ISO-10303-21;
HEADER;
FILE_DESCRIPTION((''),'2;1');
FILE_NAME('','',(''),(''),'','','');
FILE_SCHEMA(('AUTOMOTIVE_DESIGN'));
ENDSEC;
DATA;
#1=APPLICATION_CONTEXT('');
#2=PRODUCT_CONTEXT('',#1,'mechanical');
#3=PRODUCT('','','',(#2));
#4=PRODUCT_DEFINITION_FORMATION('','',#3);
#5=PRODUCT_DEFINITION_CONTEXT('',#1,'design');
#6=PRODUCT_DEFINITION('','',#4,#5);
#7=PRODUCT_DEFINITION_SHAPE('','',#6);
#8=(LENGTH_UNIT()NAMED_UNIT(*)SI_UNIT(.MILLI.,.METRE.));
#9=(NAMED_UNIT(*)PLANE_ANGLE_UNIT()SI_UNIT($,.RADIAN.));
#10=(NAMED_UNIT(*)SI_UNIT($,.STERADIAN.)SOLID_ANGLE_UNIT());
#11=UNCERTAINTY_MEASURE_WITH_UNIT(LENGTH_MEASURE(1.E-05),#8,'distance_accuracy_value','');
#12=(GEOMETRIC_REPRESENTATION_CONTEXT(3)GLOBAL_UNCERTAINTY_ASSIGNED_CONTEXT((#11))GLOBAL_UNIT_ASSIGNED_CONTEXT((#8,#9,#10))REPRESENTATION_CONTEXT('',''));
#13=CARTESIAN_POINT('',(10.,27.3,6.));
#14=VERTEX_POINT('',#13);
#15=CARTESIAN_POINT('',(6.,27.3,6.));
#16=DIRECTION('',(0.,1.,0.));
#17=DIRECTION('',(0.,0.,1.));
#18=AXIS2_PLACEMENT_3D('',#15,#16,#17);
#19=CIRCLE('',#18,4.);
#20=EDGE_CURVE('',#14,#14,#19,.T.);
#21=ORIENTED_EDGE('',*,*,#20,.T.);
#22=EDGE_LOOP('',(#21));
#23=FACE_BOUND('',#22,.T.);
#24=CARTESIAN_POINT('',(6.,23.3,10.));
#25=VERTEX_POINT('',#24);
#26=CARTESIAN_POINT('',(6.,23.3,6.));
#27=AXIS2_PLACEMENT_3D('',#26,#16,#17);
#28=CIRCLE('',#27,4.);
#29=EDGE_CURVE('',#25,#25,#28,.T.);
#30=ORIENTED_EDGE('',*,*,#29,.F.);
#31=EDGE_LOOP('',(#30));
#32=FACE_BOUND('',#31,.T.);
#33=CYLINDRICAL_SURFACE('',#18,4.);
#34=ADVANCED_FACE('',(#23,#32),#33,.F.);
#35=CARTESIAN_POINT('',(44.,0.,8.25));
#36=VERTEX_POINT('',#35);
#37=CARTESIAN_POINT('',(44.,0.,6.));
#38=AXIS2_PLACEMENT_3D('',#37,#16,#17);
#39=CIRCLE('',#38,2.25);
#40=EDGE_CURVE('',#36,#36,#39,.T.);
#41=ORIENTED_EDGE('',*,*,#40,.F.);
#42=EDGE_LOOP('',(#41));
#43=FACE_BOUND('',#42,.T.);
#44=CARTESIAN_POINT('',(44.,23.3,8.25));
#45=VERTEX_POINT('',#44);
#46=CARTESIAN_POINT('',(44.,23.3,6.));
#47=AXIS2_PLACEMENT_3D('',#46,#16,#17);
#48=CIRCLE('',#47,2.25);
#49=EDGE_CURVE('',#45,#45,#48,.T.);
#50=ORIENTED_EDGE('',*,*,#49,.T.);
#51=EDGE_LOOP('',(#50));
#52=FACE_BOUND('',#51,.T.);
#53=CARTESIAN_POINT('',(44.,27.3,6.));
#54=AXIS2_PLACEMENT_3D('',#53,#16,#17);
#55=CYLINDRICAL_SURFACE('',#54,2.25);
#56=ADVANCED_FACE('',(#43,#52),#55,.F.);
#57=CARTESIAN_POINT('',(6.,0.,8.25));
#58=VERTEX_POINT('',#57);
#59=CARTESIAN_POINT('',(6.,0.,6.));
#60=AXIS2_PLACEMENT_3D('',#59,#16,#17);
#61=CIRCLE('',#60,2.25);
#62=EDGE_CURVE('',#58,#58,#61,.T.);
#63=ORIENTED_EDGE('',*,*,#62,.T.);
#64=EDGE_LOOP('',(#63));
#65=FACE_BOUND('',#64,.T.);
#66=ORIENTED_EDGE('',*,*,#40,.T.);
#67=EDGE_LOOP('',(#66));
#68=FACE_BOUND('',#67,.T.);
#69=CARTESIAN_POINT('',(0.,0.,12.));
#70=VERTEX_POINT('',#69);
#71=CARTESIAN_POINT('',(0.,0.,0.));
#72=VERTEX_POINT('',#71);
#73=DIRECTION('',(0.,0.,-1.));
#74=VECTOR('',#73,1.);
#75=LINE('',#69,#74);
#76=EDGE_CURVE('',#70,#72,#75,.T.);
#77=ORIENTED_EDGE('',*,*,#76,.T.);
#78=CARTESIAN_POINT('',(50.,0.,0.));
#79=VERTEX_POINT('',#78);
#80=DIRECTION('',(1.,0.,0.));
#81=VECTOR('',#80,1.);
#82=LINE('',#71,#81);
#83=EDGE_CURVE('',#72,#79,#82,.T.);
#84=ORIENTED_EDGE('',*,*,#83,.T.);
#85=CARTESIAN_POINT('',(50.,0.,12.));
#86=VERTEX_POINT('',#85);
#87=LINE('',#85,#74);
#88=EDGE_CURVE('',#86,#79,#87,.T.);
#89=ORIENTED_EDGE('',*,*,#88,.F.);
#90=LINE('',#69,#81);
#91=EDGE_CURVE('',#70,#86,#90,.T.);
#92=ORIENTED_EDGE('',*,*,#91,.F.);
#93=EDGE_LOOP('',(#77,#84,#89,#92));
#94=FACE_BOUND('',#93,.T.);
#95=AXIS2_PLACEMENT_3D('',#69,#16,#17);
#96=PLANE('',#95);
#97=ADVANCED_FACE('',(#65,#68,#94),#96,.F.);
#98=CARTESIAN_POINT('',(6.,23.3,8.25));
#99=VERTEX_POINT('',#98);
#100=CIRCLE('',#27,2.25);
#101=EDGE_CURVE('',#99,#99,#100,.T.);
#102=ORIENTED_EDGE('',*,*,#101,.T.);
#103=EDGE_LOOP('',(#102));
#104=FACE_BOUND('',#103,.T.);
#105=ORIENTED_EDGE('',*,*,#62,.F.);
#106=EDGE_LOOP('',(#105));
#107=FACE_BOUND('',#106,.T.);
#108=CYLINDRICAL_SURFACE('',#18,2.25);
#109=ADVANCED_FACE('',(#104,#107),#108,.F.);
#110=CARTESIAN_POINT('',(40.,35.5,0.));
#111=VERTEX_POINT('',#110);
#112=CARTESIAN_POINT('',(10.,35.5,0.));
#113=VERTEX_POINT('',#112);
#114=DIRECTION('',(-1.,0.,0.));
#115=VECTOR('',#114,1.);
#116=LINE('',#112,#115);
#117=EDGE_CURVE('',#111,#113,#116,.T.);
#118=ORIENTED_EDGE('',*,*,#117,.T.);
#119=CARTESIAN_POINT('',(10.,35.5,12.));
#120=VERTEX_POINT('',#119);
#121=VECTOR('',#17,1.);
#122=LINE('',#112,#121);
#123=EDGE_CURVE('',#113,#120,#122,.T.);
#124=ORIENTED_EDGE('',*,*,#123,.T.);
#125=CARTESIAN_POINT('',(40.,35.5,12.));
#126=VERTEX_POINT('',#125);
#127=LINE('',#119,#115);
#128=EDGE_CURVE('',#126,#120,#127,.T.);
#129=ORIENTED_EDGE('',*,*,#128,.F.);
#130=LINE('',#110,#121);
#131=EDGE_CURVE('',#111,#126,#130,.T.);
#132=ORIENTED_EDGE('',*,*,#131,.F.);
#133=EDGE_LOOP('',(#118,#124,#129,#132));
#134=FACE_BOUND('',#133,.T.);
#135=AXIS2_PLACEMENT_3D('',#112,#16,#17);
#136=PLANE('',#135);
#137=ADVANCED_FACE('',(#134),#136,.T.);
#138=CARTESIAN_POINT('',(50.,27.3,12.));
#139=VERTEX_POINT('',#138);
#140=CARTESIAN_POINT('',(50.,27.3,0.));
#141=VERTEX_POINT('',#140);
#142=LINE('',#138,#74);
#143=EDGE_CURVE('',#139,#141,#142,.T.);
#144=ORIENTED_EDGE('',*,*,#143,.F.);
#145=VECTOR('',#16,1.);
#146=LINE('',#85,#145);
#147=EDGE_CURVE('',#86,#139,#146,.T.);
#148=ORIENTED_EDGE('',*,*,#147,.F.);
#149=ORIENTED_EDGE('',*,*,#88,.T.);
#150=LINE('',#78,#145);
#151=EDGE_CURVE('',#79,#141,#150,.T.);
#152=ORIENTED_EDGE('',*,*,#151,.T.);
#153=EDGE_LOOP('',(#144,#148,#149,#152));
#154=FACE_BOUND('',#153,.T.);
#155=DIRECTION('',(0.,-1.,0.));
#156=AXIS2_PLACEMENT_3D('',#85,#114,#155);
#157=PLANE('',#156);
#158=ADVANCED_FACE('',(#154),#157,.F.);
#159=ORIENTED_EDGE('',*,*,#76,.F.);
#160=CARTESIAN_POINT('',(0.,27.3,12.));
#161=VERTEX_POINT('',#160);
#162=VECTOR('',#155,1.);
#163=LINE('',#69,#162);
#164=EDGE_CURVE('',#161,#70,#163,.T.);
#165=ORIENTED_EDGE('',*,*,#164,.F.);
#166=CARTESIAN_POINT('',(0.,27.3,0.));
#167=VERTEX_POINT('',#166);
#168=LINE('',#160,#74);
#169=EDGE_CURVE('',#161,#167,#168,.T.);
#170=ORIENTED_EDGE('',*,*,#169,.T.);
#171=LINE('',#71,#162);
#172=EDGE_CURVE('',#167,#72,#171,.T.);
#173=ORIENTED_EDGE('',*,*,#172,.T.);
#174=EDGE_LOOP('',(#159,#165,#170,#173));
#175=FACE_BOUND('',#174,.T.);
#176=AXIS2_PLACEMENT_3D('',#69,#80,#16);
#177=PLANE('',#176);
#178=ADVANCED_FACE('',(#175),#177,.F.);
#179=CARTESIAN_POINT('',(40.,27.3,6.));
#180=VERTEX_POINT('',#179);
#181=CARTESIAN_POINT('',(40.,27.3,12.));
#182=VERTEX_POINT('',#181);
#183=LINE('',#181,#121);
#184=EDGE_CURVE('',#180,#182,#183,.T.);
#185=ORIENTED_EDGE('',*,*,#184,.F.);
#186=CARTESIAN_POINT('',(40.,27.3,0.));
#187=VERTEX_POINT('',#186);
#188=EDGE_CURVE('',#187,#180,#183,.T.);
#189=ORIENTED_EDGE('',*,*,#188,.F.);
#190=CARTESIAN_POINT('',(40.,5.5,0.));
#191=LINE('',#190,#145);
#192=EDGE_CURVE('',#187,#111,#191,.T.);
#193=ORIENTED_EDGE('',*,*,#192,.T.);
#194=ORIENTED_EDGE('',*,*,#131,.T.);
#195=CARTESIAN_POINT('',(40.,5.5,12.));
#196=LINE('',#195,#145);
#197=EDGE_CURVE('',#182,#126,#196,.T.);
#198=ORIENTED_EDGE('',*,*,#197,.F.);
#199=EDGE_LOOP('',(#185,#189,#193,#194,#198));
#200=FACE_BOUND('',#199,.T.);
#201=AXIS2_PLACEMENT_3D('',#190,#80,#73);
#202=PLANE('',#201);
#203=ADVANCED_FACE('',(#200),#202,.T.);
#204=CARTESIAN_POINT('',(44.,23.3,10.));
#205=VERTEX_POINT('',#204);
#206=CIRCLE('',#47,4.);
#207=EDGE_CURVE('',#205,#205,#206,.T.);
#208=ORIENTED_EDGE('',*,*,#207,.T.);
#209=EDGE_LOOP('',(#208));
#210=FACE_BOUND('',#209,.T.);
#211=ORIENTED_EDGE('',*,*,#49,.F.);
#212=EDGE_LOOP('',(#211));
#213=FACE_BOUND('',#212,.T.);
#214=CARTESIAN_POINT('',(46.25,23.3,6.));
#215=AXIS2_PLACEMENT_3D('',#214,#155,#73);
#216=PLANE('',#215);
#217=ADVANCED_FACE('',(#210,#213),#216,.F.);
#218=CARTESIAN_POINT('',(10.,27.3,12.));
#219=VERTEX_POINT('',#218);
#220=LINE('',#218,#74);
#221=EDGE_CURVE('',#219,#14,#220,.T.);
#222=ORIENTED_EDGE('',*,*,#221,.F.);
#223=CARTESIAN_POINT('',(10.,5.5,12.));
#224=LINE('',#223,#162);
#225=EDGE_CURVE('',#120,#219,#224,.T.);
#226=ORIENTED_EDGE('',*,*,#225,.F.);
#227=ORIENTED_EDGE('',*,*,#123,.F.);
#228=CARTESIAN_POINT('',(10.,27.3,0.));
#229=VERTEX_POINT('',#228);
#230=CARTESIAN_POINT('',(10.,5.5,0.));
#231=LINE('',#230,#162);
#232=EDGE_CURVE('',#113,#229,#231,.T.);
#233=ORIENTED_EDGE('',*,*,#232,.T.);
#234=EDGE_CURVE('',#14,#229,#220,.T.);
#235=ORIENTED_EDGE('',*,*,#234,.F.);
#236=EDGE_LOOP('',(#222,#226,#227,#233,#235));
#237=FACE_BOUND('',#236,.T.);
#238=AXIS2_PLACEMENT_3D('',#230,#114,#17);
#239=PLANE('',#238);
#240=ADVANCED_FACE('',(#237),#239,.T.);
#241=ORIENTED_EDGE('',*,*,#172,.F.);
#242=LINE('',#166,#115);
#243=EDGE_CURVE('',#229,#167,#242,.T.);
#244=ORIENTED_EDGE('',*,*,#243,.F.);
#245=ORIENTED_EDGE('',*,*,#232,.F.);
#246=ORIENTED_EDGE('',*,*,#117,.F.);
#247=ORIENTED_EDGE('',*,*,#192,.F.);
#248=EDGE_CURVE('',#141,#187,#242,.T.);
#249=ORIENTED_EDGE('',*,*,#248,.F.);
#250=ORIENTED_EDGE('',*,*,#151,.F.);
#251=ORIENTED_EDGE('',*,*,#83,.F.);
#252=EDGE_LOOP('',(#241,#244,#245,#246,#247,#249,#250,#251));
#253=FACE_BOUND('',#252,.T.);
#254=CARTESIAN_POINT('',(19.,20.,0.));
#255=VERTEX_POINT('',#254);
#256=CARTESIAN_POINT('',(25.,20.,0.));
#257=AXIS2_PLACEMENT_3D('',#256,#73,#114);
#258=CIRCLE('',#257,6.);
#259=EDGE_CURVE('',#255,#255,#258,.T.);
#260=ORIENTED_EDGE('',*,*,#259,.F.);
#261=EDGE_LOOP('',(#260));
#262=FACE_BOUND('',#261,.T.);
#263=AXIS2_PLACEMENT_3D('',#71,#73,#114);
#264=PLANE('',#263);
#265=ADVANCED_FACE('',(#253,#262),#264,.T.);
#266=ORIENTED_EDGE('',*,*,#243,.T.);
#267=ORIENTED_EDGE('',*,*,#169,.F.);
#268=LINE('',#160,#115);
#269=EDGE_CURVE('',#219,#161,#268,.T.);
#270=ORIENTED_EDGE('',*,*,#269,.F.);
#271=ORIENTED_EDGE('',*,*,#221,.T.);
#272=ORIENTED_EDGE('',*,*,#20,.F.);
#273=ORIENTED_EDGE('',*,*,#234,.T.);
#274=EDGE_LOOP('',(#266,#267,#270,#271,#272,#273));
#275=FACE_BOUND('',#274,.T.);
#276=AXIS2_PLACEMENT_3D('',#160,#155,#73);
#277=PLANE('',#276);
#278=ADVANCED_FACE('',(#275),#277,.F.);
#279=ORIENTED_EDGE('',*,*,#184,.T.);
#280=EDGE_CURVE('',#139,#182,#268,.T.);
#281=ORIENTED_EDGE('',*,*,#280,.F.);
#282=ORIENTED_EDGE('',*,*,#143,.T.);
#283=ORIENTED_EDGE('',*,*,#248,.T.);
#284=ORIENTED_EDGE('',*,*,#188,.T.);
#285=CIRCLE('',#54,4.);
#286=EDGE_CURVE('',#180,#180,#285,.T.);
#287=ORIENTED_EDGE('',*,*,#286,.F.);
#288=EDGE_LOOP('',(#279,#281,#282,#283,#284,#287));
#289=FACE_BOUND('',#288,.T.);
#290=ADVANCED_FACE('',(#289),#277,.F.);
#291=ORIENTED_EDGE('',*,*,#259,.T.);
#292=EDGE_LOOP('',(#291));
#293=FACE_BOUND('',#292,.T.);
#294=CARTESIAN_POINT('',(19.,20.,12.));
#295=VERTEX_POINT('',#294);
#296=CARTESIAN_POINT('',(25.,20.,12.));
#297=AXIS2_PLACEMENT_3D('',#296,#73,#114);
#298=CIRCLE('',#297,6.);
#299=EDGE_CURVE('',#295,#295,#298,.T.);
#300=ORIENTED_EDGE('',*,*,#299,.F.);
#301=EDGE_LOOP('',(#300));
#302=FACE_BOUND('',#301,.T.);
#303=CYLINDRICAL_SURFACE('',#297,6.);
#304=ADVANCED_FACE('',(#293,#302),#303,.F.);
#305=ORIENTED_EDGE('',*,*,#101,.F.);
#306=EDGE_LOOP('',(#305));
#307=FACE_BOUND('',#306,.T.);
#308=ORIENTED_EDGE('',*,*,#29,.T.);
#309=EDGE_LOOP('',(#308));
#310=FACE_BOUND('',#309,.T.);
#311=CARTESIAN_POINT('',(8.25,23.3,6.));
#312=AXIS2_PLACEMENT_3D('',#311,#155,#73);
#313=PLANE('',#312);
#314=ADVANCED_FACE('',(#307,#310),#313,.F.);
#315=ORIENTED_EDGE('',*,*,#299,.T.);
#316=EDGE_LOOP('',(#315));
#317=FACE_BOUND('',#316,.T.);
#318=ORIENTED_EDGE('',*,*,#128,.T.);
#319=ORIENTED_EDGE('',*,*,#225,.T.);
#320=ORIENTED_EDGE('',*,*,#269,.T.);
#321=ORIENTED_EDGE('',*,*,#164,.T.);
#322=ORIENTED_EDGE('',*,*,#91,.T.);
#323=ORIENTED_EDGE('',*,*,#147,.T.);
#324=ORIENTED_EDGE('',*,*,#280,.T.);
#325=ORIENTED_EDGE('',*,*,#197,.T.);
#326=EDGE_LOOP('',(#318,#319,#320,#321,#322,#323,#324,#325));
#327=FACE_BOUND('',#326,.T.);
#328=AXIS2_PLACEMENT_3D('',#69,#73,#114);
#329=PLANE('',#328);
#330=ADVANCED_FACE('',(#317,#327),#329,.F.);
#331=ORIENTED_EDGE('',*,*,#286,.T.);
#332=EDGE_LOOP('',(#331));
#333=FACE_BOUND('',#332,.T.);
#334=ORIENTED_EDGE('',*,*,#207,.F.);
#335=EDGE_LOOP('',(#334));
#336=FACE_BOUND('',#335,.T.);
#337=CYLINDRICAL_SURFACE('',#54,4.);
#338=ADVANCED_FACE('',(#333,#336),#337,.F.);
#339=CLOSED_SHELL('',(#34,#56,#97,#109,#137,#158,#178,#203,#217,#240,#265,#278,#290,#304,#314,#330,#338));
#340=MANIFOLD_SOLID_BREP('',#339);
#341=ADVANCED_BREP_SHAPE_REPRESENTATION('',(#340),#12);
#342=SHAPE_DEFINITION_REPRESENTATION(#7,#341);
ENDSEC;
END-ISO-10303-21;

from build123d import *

# Parameters (mm, degrees)
SKETCH_1_W                   = 50
SKETCH_1_H                   = 27.3
EXTRUDE_1_DEPTH              = 12
SKETCH_2_W                   = 30
SKETCH_2_H                   = 30
EXTRUDE_2_DEPTH              = 12
SKETCH_3_R                   = 6
CUT_EXTRUDE_1_DEPTH          = 63.483997951
HOLE_WIZARD_M4_3_D           = 4.5
HOLE_WIZARD_M4_3_CBORE_D     = 8
HOLE_WIZARD_M4_3_CBORE_DEPTH = 4


with BuildPart() as part:
    # 스케치1 → 보스-돌출1 (new body)
    with BuildSketch(Plane.XY):
        with Locations((25, 13.65)):
            Rectangle(SKETCH_1_W, SKETCH_1_H)
    extrude(amount=EXTRUDE_1_DEPTH)

    # 스케치2 → 보스-돌출2 (add)
    with BuildSketch(Plane.XY.offset(12)):
        with Locations((25, 20.5)):
            Rectangle(SKETCH_2_W, SKETCH_2_H)
    extrude(amount=-EXTRUDE_2_DEPTH)

    # 스케치3 → 컷-돌출1 (cut, through all)
    with BuildSketch(Plane(origin=(0, 0, 0), x_dir=(-1, 0, 0), z_dir=(0, 0, -1))):
        with Locations((-25, 20)):
            Circle(SKETCH_3_R)
    extrude(amount=-CUT_EXTRUDE_1_DEPTH, mode=Mode.SUBTRACT)

    # M4 소켓 머리 캡 나사용 카운터보어3 (through all)
    with Locations(Plane(origin=(0, 27.3, 0), x_dir=(1, 0, 0), z_dir=(0, 1, 0))):
        with Locations((44, -6), (6, -6)):
            CounterBoreHole(HOLE_WIZARD_M4_3_D / 2, HOLE_WIZARD_M4_3_CBORE_D / 2, HOLE_WIZARD_M4_3_CBORE_DEPTH)


solid = part.part
